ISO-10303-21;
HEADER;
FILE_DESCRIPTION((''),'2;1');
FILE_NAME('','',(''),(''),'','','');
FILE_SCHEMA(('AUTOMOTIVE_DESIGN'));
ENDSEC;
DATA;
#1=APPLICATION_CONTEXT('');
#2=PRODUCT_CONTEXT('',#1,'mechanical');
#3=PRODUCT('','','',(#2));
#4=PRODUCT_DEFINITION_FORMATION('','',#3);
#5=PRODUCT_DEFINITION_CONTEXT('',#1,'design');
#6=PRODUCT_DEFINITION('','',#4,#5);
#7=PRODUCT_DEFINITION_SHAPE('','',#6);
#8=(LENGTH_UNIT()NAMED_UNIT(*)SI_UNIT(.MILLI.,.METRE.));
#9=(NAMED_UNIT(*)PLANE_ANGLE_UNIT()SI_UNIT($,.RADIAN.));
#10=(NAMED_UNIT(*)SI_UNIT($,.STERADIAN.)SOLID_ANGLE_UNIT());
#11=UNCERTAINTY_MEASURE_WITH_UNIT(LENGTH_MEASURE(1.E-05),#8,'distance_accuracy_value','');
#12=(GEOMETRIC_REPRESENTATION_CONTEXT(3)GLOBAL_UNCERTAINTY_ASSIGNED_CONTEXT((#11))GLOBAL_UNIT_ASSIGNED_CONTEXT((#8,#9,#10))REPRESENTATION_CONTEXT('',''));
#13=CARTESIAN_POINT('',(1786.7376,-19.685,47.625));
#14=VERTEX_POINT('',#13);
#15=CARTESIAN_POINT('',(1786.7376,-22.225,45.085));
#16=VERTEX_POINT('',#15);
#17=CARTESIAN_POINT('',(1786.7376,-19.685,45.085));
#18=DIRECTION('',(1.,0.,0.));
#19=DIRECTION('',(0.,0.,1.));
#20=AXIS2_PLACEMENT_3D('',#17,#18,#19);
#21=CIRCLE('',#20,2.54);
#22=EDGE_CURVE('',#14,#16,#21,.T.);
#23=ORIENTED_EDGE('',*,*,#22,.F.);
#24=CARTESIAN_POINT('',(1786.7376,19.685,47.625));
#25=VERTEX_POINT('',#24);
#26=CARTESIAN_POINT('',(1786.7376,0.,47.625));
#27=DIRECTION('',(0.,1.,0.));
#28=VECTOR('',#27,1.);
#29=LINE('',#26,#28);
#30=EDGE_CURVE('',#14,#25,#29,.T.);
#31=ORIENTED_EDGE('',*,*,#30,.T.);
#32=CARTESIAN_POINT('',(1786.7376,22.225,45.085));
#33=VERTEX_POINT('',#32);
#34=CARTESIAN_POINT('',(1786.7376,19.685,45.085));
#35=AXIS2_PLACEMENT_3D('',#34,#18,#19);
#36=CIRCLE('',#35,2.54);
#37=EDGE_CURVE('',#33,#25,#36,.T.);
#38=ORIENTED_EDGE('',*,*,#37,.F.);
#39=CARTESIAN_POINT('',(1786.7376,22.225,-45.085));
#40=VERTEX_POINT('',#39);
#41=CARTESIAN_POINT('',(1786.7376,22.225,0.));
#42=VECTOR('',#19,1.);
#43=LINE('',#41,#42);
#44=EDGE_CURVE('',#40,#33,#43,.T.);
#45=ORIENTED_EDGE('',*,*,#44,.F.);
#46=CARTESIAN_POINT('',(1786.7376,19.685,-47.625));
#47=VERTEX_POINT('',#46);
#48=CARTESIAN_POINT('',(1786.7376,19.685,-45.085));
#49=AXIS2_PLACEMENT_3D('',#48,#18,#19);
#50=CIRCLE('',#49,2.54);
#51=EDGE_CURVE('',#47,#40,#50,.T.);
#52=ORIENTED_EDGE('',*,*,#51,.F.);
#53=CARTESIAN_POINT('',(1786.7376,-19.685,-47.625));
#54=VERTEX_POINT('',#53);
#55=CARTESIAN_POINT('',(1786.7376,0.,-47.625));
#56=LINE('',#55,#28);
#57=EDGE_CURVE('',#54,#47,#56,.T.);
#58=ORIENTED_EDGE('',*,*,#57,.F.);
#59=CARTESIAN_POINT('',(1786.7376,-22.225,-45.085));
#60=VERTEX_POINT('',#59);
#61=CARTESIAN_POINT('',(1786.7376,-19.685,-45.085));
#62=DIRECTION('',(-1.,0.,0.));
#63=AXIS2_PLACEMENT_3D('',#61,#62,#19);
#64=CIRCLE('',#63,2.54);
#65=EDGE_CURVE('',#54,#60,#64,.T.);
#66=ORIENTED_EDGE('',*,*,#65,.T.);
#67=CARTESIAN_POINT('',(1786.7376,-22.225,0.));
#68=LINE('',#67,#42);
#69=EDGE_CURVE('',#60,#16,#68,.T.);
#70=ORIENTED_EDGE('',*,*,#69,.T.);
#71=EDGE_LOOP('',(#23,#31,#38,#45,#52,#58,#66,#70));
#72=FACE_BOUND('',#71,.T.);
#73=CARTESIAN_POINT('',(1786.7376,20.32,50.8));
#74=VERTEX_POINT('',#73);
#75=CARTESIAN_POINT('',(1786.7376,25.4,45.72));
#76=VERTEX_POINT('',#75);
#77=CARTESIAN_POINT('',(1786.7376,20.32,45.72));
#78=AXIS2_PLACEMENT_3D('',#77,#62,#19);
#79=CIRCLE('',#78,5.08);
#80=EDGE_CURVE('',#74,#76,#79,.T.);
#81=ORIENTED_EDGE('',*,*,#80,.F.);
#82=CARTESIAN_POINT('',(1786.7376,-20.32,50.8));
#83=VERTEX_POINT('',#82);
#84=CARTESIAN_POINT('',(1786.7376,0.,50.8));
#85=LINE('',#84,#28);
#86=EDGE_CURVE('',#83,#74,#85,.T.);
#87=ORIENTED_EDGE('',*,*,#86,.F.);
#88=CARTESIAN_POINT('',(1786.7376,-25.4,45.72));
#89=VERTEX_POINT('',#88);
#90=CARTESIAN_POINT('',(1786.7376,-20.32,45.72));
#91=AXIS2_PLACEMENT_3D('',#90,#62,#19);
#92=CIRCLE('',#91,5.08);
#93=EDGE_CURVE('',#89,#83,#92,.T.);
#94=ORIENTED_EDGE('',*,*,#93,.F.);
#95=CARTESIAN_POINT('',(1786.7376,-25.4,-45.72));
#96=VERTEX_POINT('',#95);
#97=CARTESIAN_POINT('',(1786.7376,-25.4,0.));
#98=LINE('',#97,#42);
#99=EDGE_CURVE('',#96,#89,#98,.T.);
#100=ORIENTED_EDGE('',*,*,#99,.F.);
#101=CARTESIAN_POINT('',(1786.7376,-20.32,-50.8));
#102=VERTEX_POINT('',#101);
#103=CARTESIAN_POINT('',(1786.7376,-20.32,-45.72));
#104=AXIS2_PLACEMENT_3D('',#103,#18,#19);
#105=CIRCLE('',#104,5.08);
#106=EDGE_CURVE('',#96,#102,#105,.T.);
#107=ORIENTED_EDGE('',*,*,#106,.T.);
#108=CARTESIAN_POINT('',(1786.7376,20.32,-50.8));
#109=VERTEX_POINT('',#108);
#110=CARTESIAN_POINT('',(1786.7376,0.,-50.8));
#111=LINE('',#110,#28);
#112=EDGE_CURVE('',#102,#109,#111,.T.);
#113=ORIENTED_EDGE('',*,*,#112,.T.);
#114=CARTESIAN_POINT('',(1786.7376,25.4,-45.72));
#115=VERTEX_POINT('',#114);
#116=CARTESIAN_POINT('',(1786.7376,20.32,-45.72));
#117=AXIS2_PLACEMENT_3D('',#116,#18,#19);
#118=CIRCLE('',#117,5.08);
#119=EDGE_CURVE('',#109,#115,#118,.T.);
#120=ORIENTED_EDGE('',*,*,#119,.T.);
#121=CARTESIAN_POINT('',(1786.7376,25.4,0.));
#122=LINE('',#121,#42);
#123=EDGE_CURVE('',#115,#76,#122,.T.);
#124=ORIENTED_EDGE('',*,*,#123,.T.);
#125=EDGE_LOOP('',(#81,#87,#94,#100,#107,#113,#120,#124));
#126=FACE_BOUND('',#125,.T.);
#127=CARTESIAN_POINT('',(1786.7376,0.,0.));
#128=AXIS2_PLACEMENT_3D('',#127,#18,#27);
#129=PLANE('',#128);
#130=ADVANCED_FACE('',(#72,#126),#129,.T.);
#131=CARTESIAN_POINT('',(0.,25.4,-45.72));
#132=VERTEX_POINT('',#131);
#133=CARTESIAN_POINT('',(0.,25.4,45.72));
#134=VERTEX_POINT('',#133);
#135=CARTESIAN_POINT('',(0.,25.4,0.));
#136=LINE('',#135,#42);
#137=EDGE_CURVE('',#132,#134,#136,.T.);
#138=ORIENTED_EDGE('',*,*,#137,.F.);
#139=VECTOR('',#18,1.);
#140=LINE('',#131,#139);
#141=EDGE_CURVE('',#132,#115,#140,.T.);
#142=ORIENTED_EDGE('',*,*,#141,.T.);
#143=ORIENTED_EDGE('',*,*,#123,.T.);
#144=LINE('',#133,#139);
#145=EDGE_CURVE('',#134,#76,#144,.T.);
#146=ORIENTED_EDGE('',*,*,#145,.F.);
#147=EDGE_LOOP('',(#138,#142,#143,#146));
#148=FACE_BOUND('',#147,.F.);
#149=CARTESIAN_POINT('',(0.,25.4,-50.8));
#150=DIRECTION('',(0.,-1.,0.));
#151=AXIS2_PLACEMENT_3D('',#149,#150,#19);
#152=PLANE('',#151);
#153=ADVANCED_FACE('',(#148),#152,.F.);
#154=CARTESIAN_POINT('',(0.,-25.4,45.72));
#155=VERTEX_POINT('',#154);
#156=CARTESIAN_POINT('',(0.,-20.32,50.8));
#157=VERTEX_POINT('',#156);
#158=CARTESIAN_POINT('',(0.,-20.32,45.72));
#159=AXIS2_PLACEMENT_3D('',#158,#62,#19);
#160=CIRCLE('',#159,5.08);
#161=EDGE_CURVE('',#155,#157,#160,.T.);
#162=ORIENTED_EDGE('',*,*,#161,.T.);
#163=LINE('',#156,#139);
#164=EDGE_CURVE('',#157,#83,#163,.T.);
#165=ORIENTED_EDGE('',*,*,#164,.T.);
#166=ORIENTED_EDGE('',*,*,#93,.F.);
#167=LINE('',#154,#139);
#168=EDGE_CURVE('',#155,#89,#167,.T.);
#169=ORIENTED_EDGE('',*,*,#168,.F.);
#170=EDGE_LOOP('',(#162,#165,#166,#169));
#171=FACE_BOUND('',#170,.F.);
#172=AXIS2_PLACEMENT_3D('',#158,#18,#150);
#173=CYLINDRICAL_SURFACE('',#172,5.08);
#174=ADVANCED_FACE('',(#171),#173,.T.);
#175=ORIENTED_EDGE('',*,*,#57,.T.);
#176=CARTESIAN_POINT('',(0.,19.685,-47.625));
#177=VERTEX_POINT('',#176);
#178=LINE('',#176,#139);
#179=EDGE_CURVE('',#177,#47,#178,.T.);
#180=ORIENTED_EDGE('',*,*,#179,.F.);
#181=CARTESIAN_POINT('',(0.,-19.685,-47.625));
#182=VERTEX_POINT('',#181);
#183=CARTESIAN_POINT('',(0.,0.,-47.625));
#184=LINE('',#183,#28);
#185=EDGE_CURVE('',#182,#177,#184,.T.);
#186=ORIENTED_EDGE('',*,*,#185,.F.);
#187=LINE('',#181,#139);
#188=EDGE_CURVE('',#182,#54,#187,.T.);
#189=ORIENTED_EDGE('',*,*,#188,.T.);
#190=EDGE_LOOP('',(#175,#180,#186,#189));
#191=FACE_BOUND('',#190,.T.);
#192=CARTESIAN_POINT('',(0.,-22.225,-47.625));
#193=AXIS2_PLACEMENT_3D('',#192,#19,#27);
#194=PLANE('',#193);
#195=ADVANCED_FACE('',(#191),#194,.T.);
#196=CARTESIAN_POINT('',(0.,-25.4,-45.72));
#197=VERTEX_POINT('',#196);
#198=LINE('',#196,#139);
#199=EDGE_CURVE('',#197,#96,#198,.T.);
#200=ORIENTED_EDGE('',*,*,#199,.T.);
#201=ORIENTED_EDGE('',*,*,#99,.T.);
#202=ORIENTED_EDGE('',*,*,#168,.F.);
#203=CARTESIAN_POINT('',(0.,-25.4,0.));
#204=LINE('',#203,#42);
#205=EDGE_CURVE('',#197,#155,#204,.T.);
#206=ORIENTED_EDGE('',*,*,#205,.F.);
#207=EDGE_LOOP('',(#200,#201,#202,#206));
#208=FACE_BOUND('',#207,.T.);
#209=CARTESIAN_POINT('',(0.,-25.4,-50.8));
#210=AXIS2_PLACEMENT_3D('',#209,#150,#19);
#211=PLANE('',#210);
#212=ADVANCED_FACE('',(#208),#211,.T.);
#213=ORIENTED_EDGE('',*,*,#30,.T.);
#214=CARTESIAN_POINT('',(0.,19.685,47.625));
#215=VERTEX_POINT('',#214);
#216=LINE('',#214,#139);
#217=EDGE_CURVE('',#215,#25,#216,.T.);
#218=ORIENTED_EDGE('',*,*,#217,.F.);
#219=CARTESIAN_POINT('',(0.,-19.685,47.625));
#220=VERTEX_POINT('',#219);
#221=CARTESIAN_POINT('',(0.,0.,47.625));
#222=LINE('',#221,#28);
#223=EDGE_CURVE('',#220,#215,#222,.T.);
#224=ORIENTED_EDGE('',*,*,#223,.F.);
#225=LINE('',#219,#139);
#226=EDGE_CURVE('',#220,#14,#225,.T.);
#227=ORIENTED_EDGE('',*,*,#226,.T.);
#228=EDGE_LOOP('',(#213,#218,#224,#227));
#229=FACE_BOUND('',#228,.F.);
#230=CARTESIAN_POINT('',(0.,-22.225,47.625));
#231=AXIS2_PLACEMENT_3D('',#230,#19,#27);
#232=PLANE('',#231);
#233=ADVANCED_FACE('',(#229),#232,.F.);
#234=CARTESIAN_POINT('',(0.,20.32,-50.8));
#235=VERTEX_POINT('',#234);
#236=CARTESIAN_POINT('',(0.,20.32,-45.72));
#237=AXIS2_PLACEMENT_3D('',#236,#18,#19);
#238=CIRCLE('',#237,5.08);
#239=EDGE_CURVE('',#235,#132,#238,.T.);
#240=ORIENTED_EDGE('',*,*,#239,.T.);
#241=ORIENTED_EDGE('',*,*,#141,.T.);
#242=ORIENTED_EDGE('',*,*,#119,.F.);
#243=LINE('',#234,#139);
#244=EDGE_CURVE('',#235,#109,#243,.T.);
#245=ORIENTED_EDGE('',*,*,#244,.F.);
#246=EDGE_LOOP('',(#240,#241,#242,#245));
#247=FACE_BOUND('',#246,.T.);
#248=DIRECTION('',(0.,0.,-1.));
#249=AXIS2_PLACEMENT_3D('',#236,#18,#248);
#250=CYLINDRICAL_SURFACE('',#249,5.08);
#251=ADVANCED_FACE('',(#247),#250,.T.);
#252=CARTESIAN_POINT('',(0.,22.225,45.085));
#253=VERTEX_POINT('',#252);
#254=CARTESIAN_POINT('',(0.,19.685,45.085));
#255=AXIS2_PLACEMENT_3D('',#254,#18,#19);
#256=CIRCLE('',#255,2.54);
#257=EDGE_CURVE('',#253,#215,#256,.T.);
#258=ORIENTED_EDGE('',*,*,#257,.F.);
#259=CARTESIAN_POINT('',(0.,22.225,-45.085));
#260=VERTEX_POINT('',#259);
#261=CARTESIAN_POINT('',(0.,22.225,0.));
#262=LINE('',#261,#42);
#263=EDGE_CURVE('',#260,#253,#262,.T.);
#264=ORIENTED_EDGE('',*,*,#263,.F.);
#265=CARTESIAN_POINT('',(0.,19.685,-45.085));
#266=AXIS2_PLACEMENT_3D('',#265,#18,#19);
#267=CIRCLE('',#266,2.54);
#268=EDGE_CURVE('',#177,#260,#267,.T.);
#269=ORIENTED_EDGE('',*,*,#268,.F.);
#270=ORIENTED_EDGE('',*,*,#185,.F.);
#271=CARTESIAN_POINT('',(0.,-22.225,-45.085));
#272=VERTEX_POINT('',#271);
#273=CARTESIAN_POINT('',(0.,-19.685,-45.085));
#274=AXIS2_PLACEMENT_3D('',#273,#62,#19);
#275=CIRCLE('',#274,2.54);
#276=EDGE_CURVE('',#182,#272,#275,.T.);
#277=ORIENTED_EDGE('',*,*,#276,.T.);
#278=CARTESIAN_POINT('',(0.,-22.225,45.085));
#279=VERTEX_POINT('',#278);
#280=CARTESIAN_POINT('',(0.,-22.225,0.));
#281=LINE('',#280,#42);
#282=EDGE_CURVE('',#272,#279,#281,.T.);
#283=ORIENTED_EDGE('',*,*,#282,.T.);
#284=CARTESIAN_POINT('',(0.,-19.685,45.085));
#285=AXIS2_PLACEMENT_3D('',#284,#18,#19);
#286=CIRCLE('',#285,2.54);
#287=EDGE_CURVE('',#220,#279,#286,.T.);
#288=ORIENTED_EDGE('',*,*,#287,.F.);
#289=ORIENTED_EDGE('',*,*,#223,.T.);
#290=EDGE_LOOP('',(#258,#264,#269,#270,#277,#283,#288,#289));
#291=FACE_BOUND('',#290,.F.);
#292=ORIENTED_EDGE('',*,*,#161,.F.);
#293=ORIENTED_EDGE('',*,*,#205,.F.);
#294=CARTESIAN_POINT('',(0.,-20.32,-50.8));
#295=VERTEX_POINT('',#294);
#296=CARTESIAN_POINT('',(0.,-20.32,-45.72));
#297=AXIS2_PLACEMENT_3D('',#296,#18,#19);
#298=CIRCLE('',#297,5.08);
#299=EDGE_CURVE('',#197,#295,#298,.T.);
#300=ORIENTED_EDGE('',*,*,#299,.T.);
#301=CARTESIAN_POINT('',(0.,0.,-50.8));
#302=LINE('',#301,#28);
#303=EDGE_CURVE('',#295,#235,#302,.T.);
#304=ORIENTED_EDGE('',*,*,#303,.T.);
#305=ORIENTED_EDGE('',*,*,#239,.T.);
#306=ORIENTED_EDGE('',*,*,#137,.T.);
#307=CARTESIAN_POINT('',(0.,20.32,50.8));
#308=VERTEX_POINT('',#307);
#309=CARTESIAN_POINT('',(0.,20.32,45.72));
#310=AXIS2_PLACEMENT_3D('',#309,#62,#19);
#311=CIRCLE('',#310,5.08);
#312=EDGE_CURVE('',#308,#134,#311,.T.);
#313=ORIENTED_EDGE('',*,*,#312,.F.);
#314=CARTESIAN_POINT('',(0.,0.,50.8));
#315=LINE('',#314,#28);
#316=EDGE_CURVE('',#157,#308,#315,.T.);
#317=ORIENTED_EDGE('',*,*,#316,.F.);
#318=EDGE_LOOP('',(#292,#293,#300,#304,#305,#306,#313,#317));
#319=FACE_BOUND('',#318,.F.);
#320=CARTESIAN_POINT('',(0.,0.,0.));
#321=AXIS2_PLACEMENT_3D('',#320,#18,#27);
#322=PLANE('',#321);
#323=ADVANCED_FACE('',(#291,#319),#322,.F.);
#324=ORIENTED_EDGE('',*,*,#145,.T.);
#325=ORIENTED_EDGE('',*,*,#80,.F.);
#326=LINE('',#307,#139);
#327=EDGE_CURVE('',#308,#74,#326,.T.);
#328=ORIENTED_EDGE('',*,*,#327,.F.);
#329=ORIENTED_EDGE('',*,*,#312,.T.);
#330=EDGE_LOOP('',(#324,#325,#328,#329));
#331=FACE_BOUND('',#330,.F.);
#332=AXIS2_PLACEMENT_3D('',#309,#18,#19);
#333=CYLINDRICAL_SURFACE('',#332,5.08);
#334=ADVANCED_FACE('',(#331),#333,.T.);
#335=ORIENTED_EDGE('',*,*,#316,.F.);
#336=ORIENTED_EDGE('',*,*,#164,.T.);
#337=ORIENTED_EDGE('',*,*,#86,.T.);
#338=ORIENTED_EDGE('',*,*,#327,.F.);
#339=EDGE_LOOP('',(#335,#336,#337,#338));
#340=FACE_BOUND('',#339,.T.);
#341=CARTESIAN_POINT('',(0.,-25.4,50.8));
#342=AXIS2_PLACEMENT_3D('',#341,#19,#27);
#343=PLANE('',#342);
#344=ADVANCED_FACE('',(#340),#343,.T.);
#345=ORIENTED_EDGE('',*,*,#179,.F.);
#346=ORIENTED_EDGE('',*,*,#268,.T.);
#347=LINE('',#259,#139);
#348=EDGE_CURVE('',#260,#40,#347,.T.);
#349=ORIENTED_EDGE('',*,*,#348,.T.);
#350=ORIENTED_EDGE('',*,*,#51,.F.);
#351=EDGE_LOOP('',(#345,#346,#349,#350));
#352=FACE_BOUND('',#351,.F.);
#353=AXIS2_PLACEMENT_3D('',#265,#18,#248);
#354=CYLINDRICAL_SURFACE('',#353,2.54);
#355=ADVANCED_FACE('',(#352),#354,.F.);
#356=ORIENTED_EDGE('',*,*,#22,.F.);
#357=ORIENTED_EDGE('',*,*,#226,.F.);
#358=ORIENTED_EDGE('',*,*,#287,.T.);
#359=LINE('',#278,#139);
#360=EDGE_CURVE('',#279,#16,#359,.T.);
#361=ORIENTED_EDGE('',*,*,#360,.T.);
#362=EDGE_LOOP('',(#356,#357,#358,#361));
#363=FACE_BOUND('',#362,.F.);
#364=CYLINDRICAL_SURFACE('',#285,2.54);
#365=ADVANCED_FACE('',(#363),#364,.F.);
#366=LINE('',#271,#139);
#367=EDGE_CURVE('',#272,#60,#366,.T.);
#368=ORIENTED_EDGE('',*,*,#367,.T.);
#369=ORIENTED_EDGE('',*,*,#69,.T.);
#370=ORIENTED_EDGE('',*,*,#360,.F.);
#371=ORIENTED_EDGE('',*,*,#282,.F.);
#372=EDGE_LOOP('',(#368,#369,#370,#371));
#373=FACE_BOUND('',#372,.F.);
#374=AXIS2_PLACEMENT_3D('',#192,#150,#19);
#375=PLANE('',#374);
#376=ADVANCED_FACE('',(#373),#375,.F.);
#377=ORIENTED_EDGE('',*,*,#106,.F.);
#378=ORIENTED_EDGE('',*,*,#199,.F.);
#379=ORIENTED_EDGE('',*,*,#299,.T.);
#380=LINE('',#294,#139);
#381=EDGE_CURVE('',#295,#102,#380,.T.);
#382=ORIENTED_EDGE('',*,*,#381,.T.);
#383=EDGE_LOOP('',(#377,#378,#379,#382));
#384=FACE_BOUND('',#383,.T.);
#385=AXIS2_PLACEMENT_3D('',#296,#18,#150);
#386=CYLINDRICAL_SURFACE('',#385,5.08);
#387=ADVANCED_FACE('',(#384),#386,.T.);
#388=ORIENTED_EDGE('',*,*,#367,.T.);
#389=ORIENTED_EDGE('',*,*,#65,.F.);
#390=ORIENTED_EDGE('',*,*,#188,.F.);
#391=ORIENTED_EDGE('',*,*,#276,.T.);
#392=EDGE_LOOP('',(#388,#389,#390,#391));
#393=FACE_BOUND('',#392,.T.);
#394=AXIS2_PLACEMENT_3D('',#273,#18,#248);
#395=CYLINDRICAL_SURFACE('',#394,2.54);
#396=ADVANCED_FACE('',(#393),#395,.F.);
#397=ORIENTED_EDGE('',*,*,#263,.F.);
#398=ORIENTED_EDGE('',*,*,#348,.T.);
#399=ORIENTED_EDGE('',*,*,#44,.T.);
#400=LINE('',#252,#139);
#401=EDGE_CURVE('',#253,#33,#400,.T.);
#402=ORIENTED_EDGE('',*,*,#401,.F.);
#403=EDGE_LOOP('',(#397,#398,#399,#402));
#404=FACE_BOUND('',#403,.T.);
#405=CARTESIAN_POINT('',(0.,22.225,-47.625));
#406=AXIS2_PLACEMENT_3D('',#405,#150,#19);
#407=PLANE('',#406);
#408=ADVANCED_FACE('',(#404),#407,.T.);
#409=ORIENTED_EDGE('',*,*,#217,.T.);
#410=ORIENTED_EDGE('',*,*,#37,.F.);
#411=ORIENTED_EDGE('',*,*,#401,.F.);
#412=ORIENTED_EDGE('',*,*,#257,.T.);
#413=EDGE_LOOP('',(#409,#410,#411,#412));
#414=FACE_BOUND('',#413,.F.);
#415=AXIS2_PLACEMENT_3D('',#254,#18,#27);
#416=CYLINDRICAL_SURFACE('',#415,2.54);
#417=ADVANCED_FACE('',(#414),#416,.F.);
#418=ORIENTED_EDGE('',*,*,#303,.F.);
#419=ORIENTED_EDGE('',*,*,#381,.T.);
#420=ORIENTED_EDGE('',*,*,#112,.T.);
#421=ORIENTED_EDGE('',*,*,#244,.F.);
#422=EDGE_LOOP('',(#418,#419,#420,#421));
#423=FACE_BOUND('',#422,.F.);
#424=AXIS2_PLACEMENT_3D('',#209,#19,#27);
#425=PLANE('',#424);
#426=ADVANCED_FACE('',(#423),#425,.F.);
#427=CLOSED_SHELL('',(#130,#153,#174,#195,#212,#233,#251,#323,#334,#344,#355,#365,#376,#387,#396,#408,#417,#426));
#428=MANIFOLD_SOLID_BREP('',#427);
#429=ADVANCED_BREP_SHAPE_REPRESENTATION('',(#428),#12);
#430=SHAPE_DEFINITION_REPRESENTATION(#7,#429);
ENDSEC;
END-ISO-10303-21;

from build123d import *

# Parameters (mm, degrees)
F0_W     = 50.8
F0_H     = 101.6
F0_W_2   = 44.45
F0_H_2   = 95.25
F1_DEPTH = 1786.7376
F2_R     = 2.54
F3_R     = 5.08


with BuildPart() as f1:
    # F0 (on Right) → F1 (new body)
    with BuildSketch(Plane.YZ):
        Rectangle(F0_W, F0_H)
        Rectangle(F0_W_2, F0_H_2, mode=Mode.SUBTRACT)
    extrude(amount=F1_DEPTH)

    # F2
    f2_edges = [f1.edges().sort_by_distance(p)[0] for p in [
        (893.3688, 22.225, 47.625),
        (893.3688, -22.225, 47.625),
        (893.3688, -22.225, -47.625),
        (893.3688, 22.225, -47.625),
    ]]
    fillet(f2_edges, radius=F2_R)

    # F3
    f3_edges = [f1.edges().sort_by_distance(p)[0] for p in [
        (893.3688, -25.4, -50.8),
        (893.3688, -25.4, 50.8),
        (893.3688, 25.4, 50.8),
        (893.3688, 25.4, -50.8),
    ]]
    fillet(f3_edges, radius=F3_R)


solid = f1.part
